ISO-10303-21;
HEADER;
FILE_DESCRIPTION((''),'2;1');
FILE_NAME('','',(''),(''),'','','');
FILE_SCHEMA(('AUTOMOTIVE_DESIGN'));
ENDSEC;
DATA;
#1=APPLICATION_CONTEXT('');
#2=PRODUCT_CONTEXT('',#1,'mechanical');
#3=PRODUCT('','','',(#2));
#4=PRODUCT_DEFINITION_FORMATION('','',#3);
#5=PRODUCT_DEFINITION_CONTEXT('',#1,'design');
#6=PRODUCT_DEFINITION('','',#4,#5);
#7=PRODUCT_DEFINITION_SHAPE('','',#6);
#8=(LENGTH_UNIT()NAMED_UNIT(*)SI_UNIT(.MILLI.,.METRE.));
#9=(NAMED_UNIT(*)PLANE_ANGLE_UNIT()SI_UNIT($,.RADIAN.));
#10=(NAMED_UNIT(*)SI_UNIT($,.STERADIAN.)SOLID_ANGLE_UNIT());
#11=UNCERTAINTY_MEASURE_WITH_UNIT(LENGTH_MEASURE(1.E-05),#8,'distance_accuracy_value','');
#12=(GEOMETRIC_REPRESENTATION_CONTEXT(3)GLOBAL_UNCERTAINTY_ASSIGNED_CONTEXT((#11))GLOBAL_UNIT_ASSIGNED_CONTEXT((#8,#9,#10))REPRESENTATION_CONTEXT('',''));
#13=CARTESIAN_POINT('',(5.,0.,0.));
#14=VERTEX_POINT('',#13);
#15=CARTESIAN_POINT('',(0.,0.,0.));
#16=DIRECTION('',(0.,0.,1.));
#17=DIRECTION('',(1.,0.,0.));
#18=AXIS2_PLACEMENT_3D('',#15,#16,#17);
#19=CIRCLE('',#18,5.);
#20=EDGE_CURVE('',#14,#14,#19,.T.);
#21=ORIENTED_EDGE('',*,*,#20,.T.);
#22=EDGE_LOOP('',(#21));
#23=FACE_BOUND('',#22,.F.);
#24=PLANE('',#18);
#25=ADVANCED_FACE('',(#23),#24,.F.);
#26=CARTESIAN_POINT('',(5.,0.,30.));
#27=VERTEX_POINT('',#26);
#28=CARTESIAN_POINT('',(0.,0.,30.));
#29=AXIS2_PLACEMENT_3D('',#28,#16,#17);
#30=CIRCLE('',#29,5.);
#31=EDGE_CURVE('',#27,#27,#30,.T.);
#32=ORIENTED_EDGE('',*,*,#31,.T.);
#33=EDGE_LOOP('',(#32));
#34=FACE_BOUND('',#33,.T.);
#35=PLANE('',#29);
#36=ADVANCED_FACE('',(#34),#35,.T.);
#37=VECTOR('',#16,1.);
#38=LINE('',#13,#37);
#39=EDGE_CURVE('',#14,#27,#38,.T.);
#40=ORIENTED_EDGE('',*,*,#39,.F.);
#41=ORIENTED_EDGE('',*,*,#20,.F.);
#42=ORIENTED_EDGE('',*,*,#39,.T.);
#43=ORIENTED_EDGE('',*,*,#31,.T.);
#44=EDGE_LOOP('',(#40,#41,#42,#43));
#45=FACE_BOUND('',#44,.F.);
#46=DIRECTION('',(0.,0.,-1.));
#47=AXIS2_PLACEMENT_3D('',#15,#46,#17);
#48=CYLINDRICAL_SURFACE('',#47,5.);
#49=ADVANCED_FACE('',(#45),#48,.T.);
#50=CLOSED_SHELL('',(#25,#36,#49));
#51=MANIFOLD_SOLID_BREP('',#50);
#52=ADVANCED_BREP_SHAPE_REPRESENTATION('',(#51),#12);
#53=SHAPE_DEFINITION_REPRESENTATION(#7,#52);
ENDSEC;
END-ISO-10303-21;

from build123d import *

# Parameters (mm, degrees)
SKETCH_1_R      = 5
EXTRUDE_1_DEPTH = 30


with BuildPart() as part:
    # 草图1 → 凸台-拉伸1 (new body)
    with BuildSketch(Plane.XY):
        Circle(SKETCH_1_R)
    extrude(amount=EXTRUDE_1_DEPTH)


solid = part.part
